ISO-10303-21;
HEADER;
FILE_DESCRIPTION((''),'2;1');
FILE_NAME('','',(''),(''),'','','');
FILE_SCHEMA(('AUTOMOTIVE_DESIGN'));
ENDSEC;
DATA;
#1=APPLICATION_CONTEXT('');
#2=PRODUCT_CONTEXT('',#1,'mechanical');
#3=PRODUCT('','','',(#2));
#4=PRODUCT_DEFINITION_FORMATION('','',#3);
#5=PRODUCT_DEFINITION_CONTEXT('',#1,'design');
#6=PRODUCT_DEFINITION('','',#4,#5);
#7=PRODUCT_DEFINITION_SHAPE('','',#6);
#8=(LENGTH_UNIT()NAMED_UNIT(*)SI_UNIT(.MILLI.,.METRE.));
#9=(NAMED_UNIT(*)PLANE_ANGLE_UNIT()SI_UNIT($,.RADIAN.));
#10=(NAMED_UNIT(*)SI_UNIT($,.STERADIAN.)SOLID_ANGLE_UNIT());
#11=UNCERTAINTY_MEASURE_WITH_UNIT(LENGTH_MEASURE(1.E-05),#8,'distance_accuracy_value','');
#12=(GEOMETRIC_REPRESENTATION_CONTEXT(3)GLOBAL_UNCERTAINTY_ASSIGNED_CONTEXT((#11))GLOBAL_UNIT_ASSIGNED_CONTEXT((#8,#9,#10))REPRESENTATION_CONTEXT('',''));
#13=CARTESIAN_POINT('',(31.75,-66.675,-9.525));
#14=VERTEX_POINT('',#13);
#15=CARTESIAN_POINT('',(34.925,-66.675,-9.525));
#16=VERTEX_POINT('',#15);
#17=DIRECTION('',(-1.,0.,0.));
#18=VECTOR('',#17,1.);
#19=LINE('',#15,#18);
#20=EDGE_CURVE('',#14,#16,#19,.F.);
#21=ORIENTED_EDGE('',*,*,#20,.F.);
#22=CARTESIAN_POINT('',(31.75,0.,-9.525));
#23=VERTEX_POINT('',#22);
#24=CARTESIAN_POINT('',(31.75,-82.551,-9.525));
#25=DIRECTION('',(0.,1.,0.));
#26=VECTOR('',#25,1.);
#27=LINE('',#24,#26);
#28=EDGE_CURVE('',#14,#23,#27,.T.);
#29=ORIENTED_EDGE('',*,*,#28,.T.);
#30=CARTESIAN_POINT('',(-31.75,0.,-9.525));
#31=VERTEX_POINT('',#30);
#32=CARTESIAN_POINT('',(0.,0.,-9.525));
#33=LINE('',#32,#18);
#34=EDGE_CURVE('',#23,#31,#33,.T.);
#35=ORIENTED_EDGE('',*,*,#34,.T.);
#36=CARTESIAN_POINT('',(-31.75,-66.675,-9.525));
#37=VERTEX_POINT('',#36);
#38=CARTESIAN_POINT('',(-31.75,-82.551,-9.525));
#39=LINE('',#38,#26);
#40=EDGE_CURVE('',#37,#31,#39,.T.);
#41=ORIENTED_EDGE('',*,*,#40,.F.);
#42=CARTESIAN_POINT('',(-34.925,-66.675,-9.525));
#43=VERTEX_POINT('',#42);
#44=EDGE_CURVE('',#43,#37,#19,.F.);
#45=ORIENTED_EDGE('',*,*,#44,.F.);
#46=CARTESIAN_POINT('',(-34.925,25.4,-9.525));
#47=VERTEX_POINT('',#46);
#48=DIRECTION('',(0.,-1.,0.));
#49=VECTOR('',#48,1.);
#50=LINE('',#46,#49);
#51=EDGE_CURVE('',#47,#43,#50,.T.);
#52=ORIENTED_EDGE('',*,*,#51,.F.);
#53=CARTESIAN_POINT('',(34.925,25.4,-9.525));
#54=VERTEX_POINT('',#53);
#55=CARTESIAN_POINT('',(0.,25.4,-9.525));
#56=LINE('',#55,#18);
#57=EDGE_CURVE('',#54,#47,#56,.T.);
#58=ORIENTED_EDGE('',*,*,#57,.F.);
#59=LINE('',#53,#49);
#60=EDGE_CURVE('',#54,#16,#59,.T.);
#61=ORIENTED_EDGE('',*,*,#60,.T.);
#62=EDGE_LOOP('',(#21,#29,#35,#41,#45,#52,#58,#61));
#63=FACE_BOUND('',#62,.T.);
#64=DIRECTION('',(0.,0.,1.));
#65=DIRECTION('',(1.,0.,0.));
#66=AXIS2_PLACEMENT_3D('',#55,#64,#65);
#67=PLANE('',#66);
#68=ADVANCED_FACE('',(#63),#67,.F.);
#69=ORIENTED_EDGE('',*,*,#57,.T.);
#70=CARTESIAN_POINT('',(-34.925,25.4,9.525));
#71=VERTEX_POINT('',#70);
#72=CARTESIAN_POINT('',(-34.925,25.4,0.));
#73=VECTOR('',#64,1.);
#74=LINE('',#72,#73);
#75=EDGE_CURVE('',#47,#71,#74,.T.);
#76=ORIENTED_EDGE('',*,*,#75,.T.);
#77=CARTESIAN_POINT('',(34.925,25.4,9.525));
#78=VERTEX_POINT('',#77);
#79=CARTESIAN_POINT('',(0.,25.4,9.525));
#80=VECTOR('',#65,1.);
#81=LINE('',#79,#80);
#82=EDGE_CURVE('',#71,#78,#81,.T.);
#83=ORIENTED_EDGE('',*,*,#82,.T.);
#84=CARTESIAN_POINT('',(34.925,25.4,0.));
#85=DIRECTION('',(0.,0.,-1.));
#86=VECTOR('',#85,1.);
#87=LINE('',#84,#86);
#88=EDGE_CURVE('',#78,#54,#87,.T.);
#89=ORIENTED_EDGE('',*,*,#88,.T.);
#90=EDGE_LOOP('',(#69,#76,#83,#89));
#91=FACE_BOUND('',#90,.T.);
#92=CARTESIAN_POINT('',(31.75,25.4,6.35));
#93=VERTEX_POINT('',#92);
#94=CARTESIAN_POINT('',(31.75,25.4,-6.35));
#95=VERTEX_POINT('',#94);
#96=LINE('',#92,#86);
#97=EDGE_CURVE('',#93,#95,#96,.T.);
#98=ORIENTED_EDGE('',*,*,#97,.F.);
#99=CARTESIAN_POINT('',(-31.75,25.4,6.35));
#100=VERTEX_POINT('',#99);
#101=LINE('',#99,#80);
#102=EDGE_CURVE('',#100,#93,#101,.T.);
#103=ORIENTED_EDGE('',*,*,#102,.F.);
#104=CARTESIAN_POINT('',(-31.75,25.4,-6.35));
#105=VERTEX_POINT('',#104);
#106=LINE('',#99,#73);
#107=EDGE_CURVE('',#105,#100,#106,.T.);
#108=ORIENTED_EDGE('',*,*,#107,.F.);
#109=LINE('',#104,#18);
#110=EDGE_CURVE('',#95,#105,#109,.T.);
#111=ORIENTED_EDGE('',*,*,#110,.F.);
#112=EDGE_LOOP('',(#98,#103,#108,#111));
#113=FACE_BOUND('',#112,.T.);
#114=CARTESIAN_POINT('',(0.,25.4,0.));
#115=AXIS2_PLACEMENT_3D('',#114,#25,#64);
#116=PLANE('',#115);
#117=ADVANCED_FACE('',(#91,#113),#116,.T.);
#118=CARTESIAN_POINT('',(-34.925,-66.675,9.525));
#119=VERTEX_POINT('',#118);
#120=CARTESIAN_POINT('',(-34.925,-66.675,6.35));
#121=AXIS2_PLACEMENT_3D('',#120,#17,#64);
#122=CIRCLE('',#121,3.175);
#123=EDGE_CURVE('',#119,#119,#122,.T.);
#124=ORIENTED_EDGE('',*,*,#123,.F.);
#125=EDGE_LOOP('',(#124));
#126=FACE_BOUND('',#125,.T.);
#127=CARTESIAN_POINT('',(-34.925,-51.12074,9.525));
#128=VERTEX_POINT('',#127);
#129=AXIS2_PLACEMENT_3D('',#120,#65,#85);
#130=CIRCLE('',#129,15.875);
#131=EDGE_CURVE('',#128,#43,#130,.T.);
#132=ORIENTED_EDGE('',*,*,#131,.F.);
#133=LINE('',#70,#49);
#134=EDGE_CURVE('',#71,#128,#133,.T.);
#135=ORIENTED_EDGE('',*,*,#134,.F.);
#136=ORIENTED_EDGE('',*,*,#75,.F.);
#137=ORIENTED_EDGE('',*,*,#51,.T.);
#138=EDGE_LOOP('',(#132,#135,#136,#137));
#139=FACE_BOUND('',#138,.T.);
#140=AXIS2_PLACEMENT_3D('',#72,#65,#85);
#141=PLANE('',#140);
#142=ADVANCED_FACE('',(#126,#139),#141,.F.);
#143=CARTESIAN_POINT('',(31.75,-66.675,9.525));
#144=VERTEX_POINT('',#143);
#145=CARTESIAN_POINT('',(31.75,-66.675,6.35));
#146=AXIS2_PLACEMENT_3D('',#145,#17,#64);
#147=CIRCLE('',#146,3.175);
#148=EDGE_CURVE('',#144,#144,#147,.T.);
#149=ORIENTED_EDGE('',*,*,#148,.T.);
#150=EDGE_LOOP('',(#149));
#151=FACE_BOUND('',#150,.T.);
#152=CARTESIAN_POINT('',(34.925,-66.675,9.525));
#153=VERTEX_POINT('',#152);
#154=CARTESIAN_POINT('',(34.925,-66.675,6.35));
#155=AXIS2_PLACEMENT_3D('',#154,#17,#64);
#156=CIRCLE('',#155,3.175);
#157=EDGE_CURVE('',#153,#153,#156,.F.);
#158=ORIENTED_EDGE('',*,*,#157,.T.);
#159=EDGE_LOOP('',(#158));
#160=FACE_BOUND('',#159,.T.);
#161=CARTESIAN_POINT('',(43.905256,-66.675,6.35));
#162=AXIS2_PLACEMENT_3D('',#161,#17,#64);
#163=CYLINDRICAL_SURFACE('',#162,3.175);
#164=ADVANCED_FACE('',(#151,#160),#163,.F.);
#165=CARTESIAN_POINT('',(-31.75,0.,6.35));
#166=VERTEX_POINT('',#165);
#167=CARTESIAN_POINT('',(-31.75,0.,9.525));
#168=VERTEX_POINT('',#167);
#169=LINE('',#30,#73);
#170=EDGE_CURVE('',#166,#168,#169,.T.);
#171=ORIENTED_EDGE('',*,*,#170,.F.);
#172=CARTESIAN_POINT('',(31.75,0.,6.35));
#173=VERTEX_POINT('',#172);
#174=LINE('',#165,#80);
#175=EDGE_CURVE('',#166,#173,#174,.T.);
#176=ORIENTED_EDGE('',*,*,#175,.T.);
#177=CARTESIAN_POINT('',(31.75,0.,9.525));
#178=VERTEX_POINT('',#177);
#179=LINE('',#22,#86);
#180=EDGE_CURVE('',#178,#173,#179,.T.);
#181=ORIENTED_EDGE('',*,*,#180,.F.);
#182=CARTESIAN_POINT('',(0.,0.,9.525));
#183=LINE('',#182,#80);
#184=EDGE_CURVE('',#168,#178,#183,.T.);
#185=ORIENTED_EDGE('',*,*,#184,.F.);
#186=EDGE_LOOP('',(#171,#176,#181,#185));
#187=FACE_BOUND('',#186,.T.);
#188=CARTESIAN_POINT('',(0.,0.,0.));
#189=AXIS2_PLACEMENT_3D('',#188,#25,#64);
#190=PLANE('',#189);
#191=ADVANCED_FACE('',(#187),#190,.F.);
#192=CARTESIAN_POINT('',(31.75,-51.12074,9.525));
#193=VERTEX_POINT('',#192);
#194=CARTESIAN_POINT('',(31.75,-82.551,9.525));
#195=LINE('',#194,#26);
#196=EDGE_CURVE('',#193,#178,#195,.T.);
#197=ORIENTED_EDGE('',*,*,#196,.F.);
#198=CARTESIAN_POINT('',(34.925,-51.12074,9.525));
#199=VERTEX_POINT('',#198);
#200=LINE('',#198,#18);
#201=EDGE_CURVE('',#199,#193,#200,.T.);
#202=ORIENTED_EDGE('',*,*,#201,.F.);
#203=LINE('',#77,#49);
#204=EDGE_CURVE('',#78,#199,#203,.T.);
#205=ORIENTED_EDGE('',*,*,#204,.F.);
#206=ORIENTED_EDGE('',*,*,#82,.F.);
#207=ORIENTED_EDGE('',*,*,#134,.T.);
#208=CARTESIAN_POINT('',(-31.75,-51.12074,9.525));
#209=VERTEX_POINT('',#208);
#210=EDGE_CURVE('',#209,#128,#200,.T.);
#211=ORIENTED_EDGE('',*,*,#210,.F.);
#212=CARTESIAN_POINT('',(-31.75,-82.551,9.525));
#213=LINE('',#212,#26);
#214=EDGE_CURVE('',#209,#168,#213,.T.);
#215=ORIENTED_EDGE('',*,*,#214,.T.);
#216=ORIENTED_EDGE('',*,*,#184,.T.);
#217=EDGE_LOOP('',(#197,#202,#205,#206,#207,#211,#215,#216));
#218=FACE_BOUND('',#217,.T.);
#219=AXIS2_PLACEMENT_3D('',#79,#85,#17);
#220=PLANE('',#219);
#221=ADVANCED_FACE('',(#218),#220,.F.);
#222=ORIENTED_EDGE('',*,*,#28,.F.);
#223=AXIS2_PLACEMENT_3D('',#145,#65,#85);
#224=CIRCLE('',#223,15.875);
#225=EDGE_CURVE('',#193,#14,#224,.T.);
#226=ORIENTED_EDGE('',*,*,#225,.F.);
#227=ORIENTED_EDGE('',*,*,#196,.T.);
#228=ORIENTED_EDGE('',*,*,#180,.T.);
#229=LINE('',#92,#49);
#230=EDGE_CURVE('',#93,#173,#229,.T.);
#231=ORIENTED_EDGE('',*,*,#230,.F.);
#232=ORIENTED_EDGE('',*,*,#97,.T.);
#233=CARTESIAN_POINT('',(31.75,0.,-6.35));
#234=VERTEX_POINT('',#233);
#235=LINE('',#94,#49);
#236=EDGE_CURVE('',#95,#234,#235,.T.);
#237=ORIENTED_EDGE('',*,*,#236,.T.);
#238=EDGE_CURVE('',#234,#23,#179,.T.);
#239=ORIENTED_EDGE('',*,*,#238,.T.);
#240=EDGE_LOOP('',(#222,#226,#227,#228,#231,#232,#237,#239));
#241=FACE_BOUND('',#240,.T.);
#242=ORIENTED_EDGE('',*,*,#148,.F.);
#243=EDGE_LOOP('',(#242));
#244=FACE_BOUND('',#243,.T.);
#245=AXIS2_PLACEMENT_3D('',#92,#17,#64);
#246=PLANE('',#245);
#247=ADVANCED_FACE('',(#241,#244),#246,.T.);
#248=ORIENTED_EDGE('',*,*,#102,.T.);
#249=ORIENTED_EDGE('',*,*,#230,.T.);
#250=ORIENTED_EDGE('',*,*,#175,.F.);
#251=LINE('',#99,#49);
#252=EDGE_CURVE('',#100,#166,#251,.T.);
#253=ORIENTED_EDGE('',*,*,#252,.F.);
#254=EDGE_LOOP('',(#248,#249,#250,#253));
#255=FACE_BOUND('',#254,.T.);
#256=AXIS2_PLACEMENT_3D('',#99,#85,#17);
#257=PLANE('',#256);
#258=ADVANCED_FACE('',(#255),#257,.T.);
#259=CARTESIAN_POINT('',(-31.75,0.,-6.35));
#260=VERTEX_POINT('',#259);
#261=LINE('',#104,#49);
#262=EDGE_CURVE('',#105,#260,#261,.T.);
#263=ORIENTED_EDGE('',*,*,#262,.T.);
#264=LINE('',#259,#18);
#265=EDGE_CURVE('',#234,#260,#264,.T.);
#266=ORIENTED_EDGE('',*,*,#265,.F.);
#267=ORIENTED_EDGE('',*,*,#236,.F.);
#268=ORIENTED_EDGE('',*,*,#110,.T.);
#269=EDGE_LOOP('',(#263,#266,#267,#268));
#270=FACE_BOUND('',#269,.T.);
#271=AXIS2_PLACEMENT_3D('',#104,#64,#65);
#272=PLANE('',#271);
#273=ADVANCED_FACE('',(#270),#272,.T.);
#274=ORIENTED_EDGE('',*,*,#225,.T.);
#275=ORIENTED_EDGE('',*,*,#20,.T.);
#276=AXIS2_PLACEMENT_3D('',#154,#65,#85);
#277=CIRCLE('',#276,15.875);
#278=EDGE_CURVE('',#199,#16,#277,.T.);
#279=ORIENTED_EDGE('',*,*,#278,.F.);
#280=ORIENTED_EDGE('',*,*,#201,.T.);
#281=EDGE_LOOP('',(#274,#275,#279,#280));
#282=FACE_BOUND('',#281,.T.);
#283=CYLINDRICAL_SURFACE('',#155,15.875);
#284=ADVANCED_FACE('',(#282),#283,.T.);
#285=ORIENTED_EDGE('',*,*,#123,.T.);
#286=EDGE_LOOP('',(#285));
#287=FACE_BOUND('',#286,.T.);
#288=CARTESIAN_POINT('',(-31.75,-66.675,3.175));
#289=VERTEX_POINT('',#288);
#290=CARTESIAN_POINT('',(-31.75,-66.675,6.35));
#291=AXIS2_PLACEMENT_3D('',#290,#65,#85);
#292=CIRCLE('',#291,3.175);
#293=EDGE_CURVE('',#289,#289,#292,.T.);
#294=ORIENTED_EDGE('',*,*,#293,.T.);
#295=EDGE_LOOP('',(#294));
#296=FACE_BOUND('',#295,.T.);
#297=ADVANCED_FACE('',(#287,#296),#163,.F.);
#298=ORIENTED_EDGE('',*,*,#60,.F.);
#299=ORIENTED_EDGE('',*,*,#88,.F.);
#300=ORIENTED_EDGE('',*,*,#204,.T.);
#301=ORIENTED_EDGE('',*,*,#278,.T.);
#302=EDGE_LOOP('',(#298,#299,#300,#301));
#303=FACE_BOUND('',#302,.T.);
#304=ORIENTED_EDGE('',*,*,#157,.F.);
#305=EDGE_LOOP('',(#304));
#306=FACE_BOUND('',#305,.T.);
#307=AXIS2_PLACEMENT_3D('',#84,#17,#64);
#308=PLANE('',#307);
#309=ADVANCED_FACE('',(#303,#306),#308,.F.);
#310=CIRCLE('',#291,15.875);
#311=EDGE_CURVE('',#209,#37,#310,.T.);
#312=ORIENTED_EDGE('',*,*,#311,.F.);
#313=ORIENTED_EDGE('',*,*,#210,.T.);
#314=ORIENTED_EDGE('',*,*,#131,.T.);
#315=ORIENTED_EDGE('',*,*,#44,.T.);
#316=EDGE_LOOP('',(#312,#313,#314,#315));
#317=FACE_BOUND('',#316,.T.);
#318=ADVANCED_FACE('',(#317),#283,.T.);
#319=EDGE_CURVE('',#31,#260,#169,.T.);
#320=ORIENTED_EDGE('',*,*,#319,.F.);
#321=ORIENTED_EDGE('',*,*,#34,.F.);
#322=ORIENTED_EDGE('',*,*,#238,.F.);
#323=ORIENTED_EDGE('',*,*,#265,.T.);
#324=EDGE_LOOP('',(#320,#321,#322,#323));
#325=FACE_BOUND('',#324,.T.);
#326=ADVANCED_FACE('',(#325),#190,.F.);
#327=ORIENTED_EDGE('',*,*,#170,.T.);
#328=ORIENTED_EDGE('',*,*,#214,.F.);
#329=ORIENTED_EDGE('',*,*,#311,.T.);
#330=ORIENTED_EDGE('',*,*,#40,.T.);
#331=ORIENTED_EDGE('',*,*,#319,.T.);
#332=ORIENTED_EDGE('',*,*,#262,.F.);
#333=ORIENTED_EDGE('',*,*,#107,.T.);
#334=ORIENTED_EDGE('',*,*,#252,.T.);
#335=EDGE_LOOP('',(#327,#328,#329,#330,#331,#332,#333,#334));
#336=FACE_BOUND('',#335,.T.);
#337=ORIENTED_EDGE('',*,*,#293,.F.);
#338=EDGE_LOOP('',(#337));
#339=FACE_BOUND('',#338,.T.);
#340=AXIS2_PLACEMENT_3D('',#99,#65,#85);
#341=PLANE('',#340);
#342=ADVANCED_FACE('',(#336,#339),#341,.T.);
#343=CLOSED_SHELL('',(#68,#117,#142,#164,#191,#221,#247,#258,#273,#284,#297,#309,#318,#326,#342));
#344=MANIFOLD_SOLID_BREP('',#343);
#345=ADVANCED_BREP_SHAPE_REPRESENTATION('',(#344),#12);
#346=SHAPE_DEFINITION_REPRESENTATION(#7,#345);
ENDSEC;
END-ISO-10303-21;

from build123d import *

# Parameters (mm, degrees)
PROBEPROFILE_W      = 69.85
PROBEPROFILE_H      = 19.05
PROBEPROFILE_W_2    = 63.5
PROBEPROFILE_H_2    = 12.7
EXTRUDE_THIN1_DEPTH = 25.4
SKETCH2_R           = 15.875
BOSS_EXTRUDE1_DEPTH = 34.925
SKETCH2_2_R         = 15.875
CUT_EXTRUDE1_DEPTH  = 31.75
SKETCH3_W           = 3.175
SKETCH3_H           = 19.05
BOSS_EXTRUDE2_DEPTH = 66.675
CUT_EXTRUDE2_START  = -69.85
SKETCH4_R           = 3.175
CUT_EXTRUDE2_DEPTH  = 69.85


with BuildPart() as part:
    # ProbeProfile → Extrude-Thin1 (new body)
    with BuildSketch(Plane(origin=(0, 0, 0), x_dir=(1, 0, 0), z_dir=(0, 1, 0))):
        Rectangle(PROBEPROFILE_W, PROBEPROFILE_H)
        Rectangle(PROBEPROFILE_W_2, PROBEPROFILE_H_2, mode=Mode.SUBTRACT)
    extrude(amount=EXTRUDE_THIN1_DEPTH)



with BuildPart() as body_2:
    # Sketch2 → Boss-Extrude1 (new body, symmetric)
    with BuildSketch(Plane(origin=(0, 0, 0), x_dir=(0, 0, -1), z_dir=(1, 0, 0))):
        with Locations((-6.35, -66.675)):
            Circle(SKETCH2_R)
    extrude(amount=BOSS_EXTRUDE1_DEPTH, both=True)

    # Sketch2<2> → Cut-Extrude1 (cut, symmetric)
    with BuildSketch(Plane(origin=(0, 0, 0), x_dir=(0, 0, -1), z_dir=(1, 0, 0))):
        with Locations((-6.35, -66.675)):
            Circle(SKETCH2_2_R)
    extrude(amount=CUT_EXTRUDE1_DEPTH, both=True, mode=Mode.SUBTRACT)


with BuildPart() as part_1:
    add(part.part)

    add(body_2.part)  # Boss-Extrude2 merges body 2
    # Sketch3 → Boss-Extrude2 (add)
    with BuildSketch(Plane.XZ):
        with Locations((33.3375, 0)):
            Rectangle(SKETCH3_W, SKETCH3_H)
        with Locations((-33.3375, 0)):
            Rectangle(SKETCH3_W, SKETCH3_H)
    extrude(amount=BOSS_EXTRUDE2_DEPTH)

    # Sketch4 → Cut-Extrude2 (cut)
    with BuildSketch(Plane.ZY.offset(34.925).offset(CUT_EXTRUDE2_START)):
        with Locations((6.35, -66.675)):
            Circle(SKETCH4_R)
    extrude(amount=CUT_EXTRUDE2_DEPTH, mode=Mode.SUBTRACT)


solid = part_1.part
